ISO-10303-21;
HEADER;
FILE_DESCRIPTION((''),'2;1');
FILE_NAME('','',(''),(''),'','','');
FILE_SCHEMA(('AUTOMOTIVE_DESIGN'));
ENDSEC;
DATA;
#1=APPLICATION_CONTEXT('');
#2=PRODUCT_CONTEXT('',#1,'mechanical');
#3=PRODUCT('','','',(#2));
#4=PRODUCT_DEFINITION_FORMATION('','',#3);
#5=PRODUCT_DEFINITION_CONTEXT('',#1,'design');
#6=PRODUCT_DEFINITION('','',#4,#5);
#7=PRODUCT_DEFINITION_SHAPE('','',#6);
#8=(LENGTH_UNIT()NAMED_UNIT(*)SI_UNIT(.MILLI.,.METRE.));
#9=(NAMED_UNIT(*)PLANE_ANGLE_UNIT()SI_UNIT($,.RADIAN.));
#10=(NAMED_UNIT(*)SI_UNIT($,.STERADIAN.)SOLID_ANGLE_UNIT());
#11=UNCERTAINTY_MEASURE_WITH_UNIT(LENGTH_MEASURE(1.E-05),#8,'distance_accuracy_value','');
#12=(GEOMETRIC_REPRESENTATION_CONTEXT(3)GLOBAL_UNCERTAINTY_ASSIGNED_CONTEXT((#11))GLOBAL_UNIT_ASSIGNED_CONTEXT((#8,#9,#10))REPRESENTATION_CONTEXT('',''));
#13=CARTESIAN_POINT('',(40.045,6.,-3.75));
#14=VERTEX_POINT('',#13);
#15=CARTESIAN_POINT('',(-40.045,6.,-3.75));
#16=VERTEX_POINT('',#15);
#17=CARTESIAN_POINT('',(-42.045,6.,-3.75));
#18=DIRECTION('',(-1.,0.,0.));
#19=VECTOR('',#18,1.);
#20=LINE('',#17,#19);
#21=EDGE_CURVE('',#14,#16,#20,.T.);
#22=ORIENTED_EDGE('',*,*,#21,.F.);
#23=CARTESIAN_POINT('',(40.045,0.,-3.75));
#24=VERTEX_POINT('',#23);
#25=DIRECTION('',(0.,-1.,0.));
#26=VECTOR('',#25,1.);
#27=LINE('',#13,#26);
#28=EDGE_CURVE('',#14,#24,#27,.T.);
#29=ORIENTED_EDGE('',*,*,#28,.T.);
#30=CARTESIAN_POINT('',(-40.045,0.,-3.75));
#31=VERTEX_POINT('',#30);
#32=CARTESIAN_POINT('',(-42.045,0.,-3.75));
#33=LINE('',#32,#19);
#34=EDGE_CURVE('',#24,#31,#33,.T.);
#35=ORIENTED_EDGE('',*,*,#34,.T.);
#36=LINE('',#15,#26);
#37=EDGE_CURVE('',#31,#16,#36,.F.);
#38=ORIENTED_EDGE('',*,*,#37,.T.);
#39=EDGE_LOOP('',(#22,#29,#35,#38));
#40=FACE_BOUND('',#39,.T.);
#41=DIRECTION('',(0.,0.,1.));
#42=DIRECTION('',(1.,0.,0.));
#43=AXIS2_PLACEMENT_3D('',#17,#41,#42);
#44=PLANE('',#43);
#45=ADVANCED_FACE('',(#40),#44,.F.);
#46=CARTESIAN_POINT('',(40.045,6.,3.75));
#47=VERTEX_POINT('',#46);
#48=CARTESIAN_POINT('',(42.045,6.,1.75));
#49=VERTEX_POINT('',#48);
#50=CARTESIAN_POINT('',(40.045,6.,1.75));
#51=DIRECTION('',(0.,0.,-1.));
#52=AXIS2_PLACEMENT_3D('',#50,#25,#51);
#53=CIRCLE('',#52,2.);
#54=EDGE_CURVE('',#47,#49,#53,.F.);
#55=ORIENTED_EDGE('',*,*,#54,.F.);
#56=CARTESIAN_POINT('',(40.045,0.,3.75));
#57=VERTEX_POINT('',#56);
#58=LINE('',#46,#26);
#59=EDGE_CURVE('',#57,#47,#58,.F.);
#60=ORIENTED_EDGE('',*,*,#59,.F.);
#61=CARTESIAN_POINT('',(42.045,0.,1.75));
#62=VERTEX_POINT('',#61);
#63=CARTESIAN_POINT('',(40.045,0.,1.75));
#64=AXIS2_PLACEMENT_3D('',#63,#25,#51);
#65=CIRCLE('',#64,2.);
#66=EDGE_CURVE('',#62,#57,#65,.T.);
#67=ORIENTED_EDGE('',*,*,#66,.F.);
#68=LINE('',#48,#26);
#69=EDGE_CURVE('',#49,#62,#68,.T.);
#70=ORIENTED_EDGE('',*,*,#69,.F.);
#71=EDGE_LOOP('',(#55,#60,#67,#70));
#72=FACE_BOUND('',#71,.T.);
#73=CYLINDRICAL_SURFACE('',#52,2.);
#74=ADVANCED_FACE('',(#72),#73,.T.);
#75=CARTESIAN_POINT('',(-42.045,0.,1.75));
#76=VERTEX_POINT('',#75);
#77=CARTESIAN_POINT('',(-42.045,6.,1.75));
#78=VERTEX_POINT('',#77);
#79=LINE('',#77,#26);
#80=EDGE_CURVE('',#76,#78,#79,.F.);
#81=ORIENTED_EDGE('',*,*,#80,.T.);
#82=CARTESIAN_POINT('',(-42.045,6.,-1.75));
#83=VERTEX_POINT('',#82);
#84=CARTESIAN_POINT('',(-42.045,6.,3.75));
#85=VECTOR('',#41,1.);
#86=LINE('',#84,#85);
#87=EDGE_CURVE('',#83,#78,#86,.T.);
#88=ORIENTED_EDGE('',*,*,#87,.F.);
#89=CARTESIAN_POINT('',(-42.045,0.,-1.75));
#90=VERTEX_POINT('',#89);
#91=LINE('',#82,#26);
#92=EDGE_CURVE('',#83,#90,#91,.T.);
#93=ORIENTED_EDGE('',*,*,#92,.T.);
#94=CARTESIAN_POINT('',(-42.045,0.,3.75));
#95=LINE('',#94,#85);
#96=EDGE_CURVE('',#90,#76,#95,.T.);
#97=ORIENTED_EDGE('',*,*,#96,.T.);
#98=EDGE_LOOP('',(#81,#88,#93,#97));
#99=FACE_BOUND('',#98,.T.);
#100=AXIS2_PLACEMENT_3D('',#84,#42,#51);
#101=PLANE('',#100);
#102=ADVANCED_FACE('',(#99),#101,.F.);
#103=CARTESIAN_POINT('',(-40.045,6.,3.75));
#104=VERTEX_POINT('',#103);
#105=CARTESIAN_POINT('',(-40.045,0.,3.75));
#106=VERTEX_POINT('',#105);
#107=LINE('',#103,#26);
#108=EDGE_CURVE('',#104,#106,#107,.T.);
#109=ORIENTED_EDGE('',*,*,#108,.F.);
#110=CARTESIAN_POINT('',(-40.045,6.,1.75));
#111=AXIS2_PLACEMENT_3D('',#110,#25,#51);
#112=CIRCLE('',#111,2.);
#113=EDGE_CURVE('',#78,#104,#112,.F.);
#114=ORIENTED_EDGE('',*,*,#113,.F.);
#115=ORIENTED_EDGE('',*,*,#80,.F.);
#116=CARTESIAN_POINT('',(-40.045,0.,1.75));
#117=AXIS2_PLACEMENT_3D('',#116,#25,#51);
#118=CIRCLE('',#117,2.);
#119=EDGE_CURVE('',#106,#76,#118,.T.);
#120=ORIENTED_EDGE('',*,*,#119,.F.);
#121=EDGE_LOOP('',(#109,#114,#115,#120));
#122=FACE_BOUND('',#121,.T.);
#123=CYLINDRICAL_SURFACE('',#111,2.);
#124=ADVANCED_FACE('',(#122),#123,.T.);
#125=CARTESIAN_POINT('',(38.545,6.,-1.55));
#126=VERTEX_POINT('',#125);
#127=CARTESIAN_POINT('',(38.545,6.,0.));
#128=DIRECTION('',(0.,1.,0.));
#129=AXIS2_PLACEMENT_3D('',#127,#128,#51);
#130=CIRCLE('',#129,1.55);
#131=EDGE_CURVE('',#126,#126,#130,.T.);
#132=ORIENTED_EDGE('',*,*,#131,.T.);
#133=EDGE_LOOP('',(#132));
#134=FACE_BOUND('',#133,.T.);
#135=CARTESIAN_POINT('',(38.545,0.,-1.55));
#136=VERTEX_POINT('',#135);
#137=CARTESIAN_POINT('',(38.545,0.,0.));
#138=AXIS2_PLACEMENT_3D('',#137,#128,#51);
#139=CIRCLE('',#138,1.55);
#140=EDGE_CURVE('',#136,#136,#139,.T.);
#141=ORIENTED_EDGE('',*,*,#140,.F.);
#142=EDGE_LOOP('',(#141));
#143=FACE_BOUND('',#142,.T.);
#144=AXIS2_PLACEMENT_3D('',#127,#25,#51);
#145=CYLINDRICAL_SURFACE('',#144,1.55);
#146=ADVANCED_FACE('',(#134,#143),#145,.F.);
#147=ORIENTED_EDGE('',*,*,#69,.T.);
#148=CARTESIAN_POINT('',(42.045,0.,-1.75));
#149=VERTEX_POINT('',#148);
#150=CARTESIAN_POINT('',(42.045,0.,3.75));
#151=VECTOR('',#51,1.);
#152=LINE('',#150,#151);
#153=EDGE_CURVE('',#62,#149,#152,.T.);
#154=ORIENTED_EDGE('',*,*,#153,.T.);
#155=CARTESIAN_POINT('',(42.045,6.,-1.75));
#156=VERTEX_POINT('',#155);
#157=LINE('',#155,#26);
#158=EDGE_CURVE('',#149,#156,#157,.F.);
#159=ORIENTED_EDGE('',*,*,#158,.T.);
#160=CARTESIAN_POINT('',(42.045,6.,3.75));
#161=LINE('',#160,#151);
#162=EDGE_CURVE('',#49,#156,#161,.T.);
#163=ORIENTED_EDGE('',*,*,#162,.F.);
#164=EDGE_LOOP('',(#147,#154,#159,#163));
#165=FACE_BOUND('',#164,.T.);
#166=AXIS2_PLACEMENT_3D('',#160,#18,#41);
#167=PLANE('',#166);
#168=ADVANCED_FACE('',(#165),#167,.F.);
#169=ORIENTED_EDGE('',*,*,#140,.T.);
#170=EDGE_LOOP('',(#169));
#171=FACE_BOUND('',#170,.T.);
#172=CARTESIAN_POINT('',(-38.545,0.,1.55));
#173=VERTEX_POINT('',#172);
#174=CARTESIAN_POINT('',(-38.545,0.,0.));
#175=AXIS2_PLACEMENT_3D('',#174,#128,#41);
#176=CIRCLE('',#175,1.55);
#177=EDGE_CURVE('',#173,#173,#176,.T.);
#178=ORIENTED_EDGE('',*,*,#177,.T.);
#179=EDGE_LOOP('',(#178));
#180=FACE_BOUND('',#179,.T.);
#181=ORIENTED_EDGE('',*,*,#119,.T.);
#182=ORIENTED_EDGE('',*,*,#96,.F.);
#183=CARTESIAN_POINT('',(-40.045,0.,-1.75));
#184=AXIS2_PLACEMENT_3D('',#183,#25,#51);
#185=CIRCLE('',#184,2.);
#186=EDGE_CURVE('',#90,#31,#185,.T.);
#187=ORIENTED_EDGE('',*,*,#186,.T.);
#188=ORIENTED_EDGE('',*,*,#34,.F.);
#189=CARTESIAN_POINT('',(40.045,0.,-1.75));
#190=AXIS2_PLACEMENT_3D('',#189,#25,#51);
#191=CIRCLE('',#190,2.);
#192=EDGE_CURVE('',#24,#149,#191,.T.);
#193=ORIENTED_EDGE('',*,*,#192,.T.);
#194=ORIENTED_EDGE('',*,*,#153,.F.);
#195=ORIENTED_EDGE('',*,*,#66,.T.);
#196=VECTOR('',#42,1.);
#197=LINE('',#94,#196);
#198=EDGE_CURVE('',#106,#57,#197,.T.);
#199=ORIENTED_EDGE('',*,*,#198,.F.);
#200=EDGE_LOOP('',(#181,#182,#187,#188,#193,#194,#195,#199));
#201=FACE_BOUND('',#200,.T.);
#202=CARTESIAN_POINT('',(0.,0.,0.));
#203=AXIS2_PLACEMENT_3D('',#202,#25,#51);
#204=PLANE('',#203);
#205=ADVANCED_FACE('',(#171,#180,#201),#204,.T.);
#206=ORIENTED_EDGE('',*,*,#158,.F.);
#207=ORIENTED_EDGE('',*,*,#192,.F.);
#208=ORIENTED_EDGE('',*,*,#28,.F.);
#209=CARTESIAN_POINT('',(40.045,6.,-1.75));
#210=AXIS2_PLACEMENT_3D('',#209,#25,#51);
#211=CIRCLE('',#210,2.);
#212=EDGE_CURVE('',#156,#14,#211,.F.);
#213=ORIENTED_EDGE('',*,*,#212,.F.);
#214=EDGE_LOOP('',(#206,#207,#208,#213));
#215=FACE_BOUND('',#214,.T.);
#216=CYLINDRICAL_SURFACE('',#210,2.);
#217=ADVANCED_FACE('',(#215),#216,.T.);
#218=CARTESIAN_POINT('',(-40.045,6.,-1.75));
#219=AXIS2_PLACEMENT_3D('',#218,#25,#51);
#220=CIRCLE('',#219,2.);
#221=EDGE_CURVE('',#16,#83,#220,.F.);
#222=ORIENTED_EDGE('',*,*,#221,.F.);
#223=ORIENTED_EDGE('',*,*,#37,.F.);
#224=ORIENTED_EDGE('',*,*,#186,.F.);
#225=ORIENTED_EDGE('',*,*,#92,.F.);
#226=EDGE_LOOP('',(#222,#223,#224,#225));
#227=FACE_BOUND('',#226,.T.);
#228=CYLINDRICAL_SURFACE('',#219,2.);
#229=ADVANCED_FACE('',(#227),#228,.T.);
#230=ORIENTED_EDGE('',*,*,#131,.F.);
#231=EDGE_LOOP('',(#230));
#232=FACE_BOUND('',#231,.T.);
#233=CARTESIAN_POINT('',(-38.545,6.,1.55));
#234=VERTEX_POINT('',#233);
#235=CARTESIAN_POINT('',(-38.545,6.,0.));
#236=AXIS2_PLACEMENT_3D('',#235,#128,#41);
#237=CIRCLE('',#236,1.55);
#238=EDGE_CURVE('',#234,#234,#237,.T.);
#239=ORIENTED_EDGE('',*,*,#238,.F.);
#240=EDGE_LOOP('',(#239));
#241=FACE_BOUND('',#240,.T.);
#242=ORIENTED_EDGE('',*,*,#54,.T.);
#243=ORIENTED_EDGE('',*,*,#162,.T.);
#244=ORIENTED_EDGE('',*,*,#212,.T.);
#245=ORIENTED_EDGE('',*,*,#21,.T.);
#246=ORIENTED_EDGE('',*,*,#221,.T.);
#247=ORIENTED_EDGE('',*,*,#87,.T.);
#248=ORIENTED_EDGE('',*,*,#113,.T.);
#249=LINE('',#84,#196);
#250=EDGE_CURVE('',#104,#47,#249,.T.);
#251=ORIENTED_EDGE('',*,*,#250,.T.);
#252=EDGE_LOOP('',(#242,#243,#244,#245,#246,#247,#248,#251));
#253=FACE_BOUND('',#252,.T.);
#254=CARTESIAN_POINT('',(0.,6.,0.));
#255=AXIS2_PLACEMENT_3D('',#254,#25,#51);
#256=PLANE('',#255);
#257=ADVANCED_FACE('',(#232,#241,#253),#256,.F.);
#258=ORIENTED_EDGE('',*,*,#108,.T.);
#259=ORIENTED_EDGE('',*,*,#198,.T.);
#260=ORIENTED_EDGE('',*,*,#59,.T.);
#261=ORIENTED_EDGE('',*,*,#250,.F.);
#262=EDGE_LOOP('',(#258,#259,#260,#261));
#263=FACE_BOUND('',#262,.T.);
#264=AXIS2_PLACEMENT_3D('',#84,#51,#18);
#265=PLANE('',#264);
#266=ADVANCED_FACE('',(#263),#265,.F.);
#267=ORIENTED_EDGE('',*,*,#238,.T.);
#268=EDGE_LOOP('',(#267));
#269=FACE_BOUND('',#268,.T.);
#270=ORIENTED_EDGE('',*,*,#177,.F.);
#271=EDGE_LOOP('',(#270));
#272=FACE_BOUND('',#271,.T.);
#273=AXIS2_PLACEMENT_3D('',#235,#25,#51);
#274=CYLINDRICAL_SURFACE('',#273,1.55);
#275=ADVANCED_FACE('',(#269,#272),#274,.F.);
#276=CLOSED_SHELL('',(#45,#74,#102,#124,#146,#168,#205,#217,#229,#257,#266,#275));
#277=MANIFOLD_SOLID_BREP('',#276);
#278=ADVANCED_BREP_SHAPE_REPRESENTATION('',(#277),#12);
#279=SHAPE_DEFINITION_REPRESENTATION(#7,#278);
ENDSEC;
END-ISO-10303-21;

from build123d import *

# Parameters (mm, degrees)
SKETCH1_W           = 84.09
SKETCH1_H           = 7.5
SKETCH1_R           = 1.55
BOSS_EXTRUDE1_DEPTH = 6
FILLET5_R           = 2


with BuildPart() as part:
    # Sketch1 → Boss-Extrude1 (new body)
    with BuildSketch(Plane(origin=(0, 0, 0), x_dir=(1, 0, 0), z_dir=(0, 1, 0))):
        Rectangle(SKETCH1_W, SKETCH1_H)
        with Locations(Location((-38.545, 0, 0), (0, 0, 270))):
            Circle(SKETCH1_R, mode=Mode.SUBTRACT)
        with Locations(Location((38.545, 0, 0), (0, 0, 90))):
            Circle(SKETCH1_R, mode=Mode.SUBTRACT)
    extrude(amount=BOSS_EXTRUDE1_DEPTH)

    # Fillet5
    fillet5_edges = [part.edges().sort_by_distance(p)[0] for p in [
        (42.045, 3, 3.75),
        (-42.045, 3, 3.75),
        (-42.045, 3, -3.75),
        (42.045, 3, -3.75),
    ]]
    fillet(fillet5_edges, radius=FILLET5_R)


solid = part.part
